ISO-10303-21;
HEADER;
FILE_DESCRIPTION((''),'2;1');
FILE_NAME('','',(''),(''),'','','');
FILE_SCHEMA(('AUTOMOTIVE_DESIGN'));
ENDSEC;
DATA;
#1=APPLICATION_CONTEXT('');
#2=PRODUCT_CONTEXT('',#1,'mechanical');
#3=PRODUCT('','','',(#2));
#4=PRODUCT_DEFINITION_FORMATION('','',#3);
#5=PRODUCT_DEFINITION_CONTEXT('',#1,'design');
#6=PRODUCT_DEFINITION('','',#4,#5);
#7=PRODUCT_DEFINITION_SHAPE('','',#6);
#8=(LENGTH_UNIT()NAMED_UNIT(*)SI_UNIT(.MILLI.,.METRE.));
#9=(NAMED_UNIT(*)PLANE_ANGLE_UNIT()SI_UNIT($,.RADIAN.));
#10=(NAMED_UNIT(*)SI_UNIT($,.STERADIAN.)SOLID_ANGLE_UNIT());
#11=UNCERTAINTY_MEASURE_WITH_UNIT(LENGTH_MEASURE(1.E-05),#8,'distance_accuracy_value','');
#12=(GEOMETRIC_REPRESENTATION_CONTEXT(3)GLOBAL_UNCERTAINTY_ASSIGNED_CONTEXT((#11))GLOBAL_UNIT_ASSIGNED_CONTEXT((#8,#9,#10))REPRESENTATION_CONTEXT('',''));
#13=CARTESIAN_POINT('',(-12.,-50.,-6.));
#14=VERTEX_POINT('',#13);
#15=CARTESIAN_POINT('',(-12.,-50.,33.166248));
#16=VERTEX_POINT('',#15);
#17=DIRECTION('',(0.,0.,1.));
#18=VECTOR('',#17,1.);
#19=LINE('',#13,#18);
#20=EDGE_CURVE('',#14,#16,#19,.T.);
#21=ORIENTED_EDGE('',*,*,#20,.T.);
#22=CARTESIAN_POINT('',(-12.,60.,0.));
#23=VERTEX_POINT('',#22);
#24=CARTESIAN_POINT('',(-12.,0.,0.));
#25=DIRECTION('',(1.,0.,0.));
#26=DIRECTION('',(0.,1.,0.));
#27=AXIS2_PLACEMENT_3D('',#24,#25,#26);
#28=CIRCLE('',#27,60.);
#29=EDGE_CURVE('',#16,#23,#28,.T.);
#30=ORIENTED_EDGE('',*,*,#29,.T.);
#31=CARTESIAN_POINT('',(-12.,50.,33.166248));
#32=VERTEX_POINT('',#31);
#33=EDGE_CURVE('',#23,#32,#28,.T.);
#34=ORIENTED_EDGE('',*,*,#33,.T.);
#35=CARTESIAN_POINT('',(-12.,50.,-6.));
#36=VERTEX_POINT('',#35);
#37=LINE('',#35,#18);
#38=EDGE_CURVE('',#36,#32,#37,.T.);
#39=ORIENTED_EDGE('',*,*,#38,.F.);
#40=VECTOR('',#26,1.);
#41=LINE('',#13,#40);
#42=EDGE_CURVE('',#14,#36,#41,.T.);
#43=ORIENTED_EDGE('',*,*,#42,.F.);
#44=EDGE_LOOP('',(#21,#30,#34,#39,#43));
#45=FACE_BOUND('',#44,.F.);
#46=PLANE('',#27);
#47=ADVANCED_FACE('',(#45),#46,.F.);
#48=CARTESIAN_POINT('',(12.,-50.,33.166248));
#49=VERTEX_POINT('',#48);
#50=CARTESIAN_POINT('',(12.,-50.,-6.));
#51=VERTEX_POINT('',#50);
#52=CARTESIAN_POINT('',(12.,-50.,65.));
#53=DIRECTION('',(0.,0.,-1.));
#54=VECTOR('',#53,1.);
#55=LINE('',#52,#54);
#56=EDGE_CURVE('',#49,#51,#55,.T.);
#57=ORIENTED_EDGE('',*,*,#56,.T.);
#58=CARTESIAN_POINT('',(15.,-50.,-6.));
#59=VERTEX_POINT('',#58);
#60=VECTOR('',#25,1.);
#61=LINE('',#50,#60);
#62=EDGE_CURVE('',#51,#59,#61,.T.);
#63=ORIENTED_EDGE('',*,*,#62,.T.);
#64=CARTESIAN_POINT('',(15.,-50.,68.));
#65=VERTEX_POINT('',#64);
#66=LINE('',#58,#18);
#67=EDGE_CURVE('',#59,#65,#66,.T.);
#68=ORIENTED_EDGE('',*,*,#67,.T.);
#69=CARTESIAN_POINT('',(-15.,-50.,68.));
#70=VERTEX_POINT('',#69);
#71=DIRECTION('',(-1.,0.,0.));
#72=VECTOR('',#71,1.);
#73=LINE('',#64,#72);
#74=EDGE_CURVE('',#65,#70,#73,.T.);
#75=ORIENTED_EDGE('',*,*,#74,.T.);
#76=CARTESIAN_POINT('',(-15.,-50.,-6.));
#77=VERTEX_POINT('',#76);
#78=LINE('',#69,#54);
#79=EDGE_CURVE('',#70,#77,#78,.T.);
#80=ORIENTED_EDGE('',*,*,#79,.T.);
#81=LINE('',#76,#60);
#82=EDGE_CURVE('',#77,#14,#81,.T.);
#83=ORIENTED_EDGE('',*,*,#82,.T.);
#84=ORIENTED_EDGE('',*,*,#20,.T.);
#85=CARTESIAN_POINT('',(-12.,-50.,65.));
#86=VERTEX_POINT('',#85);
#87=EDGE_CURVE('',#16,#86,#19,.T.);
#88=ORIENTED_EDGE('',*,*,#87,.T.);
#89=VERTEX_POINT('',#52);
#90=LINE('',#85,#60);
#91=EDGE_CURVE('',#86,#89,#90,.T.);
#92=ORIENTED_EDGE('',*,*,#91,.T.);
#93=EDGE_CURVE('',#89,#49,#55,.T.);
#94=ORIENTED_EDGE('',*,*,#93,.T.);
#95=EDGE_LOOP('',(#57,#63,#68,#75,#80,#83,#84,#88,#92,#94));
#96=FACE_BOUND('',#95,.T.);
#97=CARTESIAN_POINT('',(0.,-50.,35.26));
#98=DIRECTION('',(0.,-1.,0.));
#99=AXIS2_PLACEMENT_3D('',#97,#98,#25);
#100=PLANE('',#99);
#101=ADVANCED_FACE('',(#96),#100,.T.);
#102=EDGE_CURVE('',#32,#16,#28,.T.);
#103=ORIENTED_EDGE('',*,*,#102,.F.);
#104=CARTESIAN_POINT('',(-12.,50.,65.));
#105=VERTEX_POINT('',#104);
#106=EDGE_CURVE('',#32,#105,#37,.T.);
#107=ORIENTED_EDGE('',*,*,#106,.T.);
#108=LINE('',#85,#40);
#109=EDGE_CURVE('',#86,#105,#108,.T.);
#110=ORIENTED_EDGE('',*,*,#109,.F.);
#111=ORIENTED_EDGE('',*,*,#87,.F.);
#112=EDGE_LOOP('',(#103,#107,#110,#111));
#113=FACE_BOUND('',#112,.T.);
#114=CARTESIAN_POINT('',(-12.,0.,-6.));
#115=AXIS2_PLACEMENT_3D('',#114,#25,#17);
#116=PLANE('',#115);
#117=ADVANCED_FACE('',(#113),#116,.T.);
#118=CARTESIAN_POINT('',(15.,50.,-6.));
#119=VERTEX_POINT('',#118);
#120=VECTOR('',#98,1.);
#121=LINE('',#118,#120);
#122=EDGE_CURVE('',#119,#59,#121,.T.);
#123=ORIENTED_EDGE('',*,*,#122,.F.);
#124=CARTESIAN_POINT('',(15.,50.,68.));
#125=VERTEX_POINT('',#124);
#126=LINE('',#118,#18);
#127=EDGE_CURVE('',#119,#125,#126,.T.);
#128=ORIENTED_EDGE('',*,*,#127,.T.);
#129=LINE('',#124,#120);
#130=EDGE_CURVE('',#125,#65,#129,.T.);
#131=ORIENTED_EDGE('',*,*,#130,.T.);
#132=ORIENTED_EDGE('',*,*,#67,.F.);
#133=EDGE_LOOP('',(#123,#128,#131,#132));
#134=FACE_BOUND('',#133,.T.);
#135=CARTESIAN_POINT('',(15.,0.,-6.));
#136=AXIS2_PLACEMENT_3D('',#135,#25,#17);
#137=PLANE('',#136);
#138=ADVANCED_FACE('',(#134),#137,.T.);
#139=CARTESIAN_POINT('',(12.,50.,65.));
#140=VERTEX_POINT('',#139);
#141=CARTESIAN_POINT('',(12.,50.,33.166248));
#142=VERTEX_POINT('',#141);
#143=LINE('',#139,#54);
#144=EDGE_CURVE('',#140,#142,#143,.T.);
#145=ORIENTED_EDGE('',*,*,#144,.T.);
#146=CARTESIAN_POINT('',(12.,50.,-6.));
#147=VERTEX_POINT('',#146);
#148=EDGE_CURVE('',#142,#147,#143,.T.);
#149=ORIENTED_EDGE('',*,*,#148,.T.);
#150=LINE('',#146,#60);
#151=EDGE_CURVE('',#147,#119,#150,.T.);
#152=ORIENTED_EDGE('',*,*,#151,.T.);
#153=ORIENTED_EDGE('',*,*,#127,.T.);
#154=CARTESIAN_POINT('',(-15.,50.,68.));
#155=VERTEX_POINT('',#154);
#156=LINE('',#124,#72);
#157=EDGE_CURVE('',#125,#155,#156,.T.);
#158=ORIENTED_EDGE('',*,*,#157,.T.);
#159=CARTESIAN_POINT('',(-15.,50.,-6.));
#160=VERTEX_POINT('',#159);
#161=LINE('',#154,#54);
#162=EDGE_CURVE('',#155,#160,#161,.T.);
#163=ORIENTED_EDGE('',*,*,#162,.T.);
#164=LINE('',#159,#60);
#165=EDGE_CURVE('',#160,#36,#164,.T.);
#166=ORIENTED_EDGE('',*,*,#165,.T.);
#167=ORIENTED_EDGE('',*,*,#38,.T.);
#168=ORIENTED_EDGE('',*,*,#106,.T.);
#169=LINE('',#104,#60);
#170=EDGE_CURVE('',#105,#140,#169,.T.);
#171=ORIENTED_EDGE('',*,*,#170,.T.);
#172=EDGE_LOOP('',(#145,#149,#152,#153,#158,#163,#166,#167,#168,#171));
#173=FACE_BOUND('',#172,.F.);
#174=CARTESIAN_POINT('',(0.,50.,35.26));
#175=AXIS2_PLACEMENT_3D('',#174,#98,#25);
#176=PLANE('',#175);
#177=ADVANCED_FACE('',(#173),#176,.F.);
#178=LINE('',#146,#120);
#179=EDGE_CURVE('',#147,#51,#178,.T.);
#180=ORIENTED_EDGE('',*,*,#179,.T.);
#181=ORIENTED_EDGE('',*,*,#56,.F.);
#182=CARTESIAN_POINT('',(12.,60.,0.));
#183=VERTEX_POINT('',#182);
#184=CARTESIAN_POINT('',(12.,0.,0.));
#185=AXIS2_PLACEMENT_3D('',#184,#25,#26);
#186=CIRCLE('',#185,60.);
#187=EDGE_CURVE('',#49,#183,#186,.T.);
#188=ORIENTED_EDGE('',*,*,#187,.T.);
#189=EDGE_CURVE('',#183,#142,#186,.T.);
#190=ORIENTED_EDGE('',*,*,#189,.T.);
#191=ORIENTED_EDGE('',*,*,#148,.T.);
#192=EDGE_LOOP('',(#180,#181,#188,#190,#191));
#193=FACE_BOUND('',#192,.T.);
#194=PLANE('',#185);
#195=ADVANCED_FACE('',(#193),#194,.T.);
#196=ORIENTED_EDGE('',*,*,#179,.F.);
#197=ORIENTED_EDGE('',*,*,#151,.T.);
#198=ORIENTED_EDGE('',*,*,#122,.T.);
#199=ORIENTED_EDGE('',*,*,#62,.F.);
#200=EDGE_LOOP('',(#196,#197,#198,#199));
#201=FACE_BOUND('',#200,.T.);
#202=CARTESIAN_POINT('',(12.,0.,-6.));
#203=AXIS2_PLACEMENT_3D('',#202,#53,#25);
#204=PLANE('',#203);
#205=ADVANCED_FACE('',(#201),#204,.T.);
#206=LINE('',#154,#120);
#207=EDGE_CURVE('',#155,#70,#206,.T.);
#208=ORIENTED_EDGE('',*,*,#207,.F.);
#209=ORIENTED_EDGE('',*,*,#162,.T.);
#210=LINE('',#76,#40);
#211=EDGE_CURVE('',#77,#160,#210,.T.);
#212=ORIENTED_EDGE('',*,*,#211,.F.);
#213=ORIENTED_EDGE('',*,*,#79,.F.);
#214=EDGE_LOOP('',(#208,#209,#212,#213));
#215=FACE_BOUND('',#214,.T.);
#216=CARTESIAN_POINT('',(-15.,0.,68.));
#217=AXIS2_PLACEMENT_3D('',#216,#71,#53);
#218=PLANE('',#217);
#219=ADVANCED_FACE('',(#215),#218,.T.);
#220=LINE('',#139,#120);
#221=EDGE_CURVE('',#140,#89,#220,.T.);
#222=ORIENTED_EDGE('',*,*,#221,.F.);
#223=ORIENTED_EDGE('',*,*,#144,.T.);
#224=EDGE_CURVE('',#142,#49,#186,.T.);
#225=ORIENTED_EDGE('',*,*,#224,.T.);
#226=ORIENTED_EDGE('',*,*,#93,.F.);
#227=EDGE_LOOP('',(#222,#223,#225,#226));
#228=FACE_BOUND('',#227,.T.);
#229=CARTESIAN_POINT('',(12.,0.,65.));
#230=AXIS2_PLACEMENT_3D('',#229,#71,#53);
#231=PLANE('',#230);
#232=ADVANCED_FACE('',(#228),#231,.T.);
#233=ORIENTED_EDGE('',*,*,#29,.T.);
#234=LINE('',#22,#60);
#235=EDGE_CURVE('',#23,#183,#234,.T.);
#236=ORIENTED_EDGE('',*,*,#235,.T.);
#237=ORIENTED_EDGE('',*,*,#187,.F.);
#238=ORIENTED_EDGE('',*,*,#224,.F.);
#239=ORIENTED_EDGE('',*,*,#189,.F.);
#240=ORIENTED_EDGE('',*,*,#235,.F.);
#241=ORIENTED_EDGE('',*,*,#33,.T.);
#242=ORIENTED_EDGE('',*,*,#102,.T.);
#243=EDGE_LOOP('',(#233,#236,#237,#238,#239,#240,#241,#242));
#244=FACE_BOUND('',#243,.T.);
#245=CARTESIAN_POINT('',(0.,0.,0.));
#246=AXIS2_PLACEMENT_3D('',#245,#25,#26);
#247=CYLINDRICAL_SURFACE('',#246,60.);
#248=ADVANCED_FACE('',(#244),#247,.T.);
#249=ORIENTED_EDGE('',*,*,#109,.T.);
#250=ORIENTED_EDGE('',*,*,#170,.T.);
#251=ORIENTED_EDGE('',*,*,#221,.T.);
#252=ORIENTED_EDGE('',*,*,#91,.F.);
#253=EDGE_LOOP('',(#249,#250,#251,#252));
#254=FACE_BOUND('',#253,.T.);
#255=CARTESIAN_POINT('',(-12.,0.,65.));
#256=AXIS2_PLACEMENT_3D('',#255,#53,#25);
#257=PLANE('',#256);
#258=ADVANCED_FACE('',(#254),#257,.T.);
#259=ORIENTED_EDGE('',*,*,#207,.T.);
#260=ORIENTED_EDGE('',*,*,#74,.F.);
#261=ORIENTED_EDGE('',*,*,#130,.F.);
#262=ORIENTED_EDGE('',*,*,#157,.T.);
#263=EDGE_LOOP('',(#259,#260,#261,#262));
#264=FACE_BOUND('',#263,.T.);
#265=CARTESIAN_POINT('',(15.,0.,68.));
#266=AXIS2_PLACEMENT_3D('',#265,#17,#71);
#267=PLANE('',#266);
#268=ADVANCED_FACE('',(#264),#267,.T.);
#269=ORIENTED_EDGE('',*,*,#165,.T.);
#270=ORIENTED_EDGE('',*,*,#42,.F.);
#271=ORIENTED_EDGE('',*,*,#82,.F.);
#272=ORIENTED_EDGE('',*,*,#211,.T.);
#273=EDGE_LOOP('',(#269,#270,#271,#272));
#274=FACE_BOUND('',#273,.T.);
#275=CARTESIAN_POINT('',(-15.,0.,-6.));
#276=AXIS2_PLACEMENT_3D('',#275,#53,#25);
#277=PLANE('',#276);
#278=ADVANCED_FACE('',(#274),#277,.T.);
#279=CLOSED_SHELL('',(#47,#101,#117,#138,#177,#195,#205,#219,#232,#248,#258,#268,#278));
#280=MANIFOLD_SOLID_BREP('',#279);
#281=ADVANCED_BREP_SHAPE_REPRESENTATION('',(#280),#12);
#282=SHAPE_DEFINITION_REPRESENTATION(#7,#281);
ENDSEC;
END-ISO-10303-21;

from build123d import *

# Parameters (mm, degrees)
F1_DEPTH = 50
F2_R     = 60
F3_DEPTH = 12


with BuildPart() as f1:
    # F0 (on Front) → F1 (new body, symmetric)
    with BuildSketch(Plane.XZ):
        Polygon((-12, 65), (0, 65), (12, 65), (12, -6), (15, -6), (15, 68), (0, 68), (-15, 68), (-15, -6), (-12, -6), align=None)
    extrude(amount=F1_DEPTH, both=True)

    # F2 (on Right) → F3 (join, symmetric)
    with BuildSketch(Plane.YZ):
        Circle(F2_R)
    extrude(amount=F3_DEPTH, both=True)


solid = f1.part
